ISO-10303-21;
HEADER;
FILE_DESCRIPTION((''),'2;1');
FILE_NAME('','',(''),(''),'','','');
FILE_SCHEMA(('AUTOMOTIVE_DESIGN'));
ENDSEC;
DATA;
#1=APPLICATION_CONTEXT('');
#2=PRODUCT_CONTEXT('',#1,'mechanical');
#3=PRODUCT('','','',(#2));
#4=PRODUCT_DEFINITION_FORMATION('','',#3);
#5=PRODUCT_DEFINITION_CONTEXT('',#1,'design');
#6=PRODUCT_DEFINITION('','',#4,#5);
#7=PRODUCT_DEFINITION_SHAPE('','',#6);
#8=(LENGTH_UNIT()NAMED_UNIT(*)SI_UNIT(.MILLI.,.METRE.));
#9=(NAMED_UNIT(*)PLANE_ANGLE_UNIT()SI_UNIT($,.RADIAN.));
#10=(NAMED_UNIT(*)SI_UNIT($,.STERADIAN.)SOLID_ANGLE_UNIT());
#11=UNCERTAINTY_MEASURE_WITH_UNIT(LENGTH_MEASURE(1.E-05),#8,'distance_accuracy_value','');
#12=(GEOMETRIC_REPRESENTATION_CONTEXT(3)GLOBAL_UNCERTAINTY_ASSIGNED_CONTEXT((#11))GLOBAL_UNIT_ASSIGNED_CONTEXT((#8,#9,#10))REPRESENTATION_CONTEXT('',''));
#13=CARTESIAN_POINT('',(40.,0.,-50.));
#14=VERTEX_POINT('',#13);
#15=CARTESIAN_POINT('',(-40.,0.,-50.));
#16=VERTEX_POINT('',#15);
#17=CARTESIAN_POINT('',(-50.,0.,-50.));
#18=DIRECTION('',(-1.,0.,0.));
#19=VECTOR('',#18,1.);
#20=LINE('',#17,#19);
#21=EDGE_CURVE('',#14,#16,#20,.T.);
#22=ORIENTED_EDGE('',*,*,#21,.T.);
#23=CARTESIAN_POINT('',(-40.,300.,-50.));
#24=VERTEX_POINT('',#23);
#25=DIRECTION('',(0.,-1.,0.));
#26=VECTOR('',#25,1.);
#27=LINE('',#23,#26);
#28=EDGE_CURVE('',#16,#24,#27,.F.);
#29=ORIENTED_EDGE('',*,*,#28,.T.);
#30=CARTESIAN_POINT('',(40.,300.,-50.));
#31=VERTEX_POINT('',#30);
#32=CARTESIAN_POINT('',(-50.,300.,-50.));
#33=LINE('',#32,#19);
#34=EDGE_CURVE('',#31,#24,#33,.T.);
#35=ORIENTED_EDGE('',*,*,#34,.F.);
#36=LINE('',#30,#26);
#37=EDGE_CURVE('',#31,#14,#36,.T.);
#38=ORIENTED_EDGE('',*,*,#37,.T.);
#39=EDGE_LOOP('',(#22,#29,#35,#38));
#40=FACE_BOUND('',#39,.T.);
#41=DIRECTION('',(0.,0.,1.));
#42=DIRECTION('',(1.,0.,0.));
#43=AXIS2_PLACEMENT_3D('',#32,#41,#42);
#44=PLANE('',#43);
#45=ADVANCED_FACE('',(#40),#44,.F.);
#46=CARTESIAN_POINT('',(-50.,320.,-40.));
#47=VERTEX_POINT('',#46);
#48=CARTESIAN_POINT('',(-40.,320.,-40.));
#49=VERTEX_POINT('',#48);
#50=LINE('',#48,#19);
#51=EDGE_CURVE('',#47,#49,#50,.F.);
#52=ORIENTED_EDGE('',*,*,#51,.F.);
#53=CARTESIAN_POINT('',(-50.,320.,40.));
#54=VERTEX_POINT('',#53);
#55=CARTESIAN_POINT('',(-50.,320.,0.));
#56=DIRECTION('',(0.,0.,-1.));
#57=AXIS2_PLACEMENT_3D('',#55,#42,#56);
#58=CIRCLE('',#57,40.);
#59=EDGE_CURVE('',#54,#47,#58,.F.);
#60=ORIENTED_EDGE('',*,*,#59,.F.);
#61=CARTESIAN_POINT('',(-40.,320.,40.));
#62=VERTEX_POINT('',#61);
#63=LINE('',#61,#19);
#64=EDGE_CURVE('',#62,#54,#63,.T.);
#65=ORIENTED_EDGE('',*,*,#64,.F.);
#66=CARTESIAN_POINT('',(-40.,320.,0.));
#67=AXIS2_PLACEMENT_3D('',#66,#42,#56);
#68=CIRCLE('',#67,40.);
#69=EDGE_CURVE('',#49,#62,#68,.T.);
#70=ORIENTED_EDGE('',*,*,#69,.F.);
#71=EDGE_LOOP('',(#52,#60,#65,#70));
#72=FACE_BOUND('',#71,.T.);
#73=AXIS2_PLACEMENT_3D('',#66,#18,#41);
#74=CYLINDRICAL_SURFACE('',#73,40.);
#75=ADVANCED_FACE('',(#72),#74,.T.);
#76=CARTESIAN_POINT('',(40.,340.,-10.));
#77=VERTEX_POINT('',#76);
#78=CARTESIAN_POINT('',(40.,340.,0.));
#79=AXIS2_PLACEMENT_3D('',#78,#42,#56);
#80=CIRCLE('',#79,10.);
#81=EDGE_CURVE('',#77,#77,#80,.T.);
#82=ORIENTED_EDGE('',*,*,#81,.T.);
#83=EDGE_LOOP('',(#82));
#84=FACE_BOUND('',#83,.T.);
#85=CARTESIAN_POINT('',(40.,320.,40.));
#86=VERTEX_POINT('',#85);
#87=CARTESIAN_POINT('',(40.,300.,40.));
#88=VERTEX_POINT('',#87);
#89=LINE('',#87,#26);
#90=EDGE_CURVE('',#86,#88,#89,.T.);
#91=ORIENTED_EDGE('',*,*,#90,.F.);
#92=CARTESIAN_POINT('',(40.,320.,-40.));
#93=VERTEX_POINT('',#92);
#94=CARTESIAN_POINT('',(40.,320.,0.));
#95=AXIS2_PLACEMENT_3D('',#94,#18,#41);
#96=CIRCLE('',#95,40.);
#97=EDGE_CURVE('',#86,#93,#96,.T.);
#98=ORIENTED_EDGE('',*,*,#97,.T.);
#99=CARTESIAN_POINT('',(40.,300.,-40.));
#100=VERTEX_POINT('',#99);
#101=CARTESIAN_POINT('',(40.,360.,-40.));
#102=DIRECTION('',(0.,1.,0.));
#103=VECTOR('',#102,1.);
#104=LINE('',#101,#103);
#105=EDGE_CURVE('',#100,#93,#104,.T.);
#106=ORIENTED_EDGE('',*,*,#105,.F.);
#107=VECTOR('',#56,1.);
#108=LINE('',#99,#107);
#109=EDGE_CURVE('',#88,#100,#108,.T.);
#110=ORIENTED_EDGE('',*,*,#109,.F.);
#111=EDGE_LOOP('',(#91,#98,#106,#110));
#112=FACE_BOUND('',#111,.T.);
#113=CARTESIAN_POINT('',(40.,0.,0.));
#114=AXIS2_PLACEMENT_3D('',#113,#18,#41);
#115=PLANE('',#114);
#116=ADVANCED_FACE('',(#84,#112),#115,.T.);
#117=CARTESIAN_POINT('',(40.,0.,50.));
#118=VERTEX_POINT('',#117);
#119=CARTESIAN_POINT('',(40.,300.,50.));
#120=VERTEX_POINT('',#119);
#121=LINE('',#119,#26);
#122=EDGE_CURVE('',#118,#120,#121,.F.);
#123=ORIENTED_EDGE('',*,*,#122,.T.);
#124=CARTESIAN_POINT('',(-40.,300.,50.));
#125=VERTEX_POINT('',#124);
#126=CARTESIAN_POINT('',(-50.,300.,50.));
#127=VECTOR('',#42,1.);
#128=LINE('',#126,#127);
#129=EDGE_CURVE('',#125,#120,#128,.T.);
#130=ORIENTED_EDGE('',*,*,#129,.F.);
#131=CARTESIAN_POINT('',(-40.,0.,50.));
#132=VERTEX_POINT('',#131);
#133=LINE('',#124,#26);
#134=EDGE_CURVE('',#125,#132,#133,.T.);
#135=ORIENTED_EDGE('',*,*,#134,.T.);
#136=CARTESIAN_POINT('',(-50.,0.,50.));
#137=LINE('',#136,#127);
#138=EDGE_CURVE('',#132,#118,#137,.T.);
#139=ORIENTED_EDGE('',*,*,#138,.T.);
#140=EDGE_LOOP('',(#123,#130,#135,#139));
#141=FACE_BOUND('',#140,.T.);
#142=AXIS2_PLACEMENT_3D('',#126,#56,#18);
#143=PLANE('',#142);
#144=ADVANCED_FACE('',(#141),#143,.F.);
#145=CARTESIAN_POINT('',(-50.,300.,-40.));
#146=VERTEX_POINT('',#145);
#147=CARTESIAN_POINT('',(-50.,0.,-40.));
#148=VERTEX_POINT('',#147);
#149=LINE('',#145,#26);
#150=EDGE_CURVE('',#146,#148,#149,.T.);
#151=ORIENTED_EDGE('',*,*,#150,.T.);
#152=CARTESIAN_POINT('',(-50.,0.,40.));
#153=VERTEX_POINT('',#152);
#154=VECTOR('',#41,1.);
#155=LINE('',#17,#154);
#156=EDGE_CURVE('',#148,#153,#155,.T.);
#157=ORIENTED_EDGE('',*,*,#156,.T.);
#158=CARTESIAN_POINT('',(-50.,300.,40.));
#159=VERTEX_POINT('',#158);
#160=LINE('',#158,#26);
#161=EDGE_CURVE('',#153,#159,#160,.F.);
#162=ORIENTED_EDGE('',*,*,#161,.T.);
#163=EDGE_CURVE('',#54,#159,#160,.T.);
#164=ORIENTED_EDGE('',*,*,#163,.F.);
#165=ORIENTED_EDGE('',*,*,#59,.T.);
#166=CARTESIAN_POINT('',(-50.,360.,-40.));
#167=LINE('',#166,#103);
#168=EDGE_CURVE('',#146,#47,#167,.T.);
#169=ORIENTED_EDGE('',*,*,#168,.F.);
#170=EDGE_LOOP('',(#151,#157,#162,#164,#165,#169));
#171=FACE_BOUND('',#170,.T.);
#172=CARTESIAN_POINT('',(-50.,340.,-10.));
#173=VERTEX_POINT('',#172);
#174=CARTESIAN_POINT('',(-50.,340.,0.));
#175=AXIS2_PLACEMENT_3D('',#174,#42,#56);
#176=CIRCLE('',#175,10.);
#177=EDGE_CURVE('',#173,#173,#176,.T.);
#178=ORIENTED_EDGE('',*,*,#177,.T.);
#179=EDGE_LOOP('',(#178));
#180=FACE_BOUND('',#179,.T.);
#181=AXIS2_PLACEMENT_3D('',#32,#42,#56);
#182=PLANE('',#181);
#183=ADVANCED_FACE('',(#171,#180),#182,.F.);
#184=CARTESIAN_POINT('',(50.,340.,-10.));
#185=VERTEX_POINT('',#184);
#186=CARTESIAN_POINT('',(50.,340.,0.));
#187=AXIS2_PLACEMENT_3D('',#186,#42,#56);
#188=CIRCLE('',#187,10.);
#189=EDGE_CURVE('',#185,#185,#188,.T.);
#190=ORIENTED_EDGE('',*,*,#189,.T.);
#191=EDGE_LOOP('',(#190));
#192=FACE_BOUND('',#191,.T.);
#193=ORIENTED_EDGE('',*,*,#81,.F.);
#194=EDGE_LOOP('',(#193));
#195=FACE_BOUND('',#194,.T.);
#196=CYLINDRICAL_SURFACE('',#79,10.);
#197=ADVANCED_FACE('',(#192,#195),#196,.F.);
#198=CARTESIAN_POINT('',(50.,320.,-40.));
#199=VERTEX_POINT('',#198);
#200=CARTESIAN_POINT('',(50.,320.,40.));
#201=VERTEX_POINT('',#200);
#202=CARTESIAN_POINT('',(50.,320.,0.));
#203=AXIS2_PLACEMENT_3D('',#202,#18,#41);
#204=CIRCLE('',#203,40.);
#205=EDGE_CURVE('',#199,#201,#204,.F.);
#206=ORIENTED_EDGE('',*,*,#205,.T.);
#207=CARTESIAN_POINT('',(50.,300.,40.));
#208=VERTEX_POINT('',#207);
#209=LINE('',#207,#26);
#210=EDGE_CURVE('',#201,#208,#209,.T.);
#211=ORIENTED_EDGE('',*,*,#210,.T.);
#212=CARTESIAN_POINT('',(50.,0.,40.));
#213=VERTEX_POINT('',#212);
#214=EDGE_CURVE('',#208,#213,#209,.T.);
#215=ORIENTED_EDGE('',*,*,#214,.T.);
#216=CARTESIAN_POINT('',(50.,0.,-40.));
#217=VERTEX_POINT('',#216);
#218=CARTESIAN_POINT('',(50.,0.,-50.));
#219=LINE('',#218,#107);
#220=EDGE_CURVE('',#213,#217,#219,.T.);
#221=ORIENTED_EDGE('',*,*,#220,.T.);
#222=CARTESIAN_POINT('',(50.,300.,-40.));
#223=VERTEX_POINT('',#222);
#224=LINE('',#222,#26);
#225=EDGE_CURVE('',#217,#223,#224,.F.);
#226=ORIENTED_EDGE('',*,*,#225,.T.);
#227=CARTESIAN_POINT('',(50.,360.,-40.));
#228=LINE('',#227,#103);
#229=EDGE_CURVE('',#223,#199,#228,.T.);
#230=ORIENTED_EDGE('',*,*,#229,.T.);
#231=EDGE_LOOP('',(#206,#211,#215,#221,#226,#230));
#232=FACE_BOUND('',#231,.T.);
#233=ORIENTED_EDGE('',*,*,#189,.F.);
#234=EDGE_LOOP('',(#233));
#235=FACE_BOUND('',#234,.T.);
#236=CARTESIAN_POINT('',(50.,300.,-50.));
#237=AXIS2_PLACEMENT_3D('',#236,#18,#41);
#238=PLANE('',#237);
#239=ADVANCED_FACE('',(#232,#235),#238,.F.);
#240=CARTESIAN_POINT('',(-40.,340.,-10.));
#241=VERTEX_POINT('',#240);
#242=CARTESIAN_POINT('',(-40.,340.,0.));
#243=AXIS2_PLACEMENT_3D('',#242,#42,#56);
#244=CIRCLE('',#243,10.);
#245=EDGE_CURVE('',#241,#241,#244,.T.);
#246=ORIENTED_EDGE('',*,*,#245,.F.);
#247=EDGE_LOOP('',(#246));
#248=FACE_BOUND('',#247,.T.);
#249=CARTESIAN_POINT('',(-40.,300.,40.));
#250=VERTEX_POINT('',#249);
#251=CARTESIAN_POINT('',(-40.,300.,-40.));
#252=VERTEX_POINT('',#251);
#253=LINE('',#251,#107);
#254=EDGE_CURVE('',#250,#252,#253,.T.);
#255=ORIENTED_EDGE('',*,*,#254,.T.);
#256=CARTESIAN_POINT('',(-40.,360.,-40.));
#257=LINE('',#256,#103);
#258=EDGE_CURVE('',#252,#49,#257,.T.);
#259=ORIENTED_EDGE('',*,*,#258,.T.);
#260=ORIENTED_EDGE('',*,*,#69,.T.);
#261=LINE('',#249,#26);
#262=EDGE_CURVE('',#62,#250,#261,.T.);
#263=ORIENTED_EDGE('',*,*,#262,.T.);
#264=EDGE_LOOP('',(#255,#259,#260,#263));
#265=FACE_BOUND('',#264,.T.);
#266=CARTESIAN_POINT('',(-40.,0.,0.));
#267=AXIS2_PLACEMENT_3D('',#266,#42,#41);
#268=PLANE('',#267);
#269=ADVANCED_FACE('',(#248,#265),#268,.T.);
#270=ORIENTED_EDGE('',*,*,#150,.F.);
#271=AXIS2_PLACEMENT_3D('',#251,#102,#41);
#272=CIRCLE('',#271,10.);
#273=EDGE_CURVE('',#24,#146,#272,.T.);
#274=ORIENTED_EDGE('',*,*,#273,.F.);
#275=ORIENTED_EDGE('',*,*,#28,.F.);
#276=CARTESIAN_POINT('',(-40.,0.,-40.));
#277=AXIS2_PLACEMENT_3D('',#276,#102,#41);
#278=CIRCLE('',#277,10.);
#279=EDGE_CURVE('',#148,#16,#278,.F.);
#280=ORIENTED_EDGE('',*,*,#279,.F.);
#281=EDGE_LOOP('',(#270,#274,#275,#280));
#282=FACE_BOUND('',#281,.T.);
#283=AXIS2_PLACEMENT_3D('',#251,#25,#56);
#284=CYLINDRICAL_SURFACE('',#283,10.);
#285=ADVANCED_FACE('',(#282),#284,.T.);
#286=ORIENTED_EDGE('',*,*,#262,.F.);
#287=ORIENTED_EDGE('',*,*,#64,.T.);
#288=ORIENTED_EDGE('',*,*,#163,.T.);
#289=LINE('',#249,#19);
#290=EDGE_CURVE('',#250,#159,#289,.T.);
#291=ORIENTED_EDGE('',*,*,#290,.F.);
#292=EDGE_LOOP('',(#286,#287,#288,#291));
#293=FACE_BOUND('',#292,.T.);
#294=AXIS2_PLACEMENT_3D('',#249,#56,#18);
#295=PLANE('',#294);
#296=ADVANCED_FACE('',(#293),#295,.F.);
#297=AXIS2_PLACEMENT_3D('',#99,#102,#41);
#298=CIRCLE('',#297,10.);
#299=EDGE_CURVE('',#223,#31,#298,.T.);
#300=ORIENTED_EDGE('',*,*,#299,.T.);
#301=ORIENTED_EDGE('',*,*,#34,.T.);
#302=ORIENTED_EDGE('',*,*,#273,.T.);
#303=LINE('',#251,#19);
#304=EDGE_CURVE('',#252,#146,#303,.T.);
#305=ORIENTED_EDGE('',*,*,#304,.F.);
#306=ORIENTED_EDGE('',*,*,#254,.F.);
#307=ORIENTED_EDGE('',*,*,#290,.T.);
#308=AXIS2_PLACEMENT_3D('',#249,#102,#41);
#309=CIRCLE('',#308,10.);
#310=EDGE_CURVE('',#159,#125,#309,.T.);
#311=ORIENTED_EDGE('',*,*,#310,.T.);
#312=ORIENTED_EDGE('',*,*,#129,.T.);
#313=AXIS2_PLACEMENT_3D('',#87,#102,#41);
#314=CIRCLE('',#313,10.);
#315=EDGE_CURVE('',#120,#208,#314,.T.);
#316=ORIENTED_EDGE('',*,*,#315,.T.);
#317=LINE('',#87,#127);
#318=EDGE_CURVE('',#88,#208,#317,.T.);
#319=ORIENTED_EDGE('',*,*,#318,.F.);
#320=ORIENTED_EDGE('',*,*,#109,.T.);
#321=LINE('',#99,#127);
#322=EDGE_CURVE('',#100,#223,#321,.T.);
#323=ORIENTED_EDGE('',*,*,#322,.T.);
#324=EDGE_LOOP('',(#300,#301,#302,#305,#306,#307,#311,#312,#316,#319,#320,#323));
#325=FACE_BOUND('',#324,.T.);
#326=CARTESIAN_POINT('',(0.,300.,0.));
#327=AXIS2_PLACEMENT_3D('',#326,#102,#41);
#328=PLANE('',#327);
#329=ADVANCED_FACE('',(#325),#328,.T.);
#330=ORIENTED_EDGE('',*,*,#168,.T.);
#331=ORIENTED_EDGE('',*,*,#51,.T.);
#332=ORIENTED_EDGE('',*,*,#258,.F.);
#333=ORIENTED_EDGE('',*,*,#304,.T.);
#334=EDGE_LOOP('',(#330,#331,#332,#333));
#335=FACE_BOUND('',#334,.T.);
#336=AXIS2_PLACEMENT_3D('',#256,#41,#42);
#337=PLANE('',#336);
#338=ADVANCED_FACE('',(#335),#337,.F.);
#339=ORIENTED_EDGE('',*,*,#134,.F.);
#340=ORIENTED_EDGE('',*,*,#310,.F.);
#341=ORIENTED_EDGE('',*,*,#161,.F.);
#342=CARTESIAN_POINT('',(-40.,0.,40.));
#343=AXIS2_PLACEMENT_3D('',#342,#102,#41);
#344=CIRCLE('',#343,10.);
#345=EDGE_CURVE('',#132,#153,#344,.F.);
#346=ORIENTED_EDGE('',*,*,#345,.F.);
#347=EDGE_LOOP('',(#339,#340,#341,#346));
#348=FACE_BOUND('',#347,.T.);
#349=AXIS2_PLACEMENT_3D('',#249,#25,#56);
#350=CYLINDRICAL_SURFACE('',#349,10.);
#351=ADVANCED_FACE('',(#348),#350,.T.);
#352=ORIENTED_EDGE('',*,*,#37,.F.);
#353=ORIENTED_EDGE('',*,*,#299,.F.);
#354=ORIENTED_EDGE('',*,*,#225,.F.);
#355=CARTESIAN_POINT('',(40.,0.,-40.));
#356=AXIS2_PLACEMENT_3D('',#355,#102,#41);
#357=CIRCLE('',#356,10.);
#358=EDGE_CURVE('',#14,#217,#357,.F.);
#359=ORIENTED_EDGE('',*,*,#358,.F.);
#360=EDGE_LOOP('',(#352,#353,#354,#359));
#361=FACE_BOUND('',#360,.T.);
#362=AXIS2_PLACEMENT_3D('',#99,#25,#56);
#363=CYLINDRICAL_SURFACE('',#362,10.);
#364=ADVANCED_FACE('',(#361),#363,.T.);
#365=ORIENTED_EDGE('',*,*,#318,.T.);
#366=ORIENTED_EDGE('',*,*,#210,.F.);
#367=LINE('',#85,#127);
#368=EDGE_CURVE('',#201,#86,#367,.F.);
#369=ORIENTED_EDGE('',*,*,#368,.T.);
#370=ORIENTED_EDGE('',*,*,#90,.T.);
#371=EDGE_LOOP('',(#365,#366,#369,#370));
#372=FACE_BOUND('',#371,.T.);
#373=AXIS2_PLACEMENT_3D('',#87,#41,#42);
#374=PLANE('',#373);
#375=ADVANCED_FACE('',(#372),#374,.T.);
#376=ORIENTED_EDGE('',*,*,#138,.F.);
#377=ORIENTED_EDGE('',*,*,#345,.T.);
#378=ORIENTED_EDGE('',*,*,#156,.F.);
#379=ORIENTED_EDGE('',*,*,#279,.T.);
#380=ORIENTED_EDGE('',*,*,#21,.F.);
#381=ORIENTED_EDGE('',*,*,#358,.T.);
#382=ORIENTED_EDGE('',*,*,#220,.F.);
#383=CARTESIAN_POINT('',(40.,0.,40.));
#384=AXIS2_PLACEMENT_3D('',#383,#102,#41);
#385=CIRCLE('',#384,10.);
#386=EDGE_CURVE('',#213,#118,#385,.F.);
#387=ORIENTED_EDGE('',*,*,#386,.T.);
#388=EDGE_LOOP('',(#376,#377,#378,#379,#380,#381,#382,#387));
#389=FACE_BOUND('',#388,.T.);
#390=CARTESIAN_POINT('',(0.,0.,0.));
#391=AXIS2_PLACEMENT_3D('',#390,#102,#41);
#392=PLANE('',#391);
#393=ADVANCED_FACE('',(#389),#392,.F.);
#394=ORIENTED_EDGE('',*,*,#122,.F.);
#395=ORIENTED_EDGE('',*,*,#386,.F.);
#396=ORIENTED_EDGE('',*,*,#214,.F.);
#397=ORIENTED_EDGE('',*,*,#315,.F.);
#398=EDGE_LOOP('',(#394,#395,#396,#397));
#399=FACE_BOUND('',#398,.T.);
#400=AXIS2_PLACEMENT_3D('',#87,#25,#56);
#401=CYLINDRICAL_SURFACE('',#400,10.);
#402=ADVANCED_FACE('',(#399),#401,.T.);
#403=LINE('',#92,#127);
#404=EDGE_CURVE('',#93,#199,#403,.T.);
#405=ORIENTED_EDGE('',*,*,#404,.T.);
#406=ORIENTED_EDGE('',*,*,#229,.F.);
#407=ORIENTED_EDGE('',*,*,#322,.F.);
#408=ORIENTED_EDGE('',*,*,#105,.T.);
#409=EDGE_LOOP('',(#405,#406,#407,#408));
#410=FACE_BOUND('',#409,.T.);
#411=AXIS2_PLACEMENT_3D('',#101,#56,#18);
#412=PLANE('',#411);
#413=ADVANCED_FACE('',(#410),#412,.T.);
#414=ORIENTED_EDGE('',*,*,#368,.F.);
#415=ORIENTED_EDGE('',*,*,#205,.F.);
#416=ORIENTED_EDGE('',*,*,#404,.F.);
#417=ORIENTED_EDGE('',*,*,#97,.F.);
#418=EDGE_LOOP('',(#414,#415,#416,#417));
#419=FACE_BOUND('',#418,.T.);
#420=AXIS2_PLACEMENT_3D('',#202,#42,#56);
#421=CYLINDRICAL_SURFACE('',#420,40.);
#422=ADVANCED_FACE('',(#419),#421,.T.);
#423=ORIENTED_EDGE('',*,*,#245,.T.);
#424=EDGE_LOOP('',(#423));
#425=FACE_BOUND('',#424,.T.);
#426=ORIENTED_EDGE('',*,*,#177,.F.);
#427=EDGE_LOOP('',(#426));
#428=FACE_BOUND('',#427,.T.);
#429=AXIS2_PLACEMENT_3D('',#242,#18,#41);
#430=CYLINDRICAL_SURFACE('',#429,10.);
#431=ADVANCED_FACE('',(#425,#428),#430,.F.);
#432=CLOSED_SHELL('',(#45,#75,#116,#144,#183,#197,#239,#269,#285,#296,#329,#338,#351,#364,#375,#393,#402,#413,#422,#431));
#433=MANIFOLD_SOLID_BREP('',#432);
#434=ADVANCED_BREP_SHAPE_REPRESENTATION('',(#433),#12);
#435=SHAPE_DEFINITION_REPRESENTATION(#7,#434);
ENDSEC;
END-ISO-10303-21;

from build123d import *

# Parameters (mm, degrees)
SKETCH1_W                   = 100
SKETCH1_H                   = 100
BOSS_EXTRUDE1_DEPTH         = 300
FILLET1_R                   = 10
SKETCH5_W                   = 80
SKETCH5_H                   = 60
SKETCH5_R                   = 10
BOSS_EXTRUDE2_DEPTH         = 10
FILLET2_RADIUS              = 40
FILLET2_LENGTH              = 10
FILLET2_OF_MIRROR1_2_RADIUS = 40
FILLET2_OF_MIRROR1_2_LENGTH = 10


with BuildPart() as part:
    # Sketch1 → Boss-Extrude1 (new body)
    with BuildSketch(Plane(origin=(0, 0, 0), x_dir=(1, 0, 0), z_dir=(0, 1, 0))):
        Rectangle(SKETCH1_W, SKETCH1_H)
    extrude(amount=BOSS_EXTRUDE1_DEPTH)

    # Fillet1
    fillet1_edges = [part.edges().sort_by_distance(p)[0] for p in [
        (50, 150, 50),
        (-50, 150, 50),
        (-50, 150, -50),
        (50, 150, -50),
    ]]
    fillet(fillet1_edges, radius=FILLET1_R)

    # Sketch5 → Boss-Extrude2 (add)
    with BuildSketch(Plane(origin=(50, 0, 0), x_dir=(0, 0, -1), z_dir=(1, 0, 0))):
        with Locations((0, 330)):
            Rectangle(SKETCH5_W, SKETCH5_H)
        with Locations((0, 340)):
            Circle(SKETCH5_R, mode=Mode.SUBTRACT)
    boss_extrude2 = extrude(amount=-BOSS_EXTRUDE2_DEPTH)

    # Fillet2: full round fillet: the end face becomes a half cylinder, R = half its width
    fillet2_face = Plane((45, 360, 0), x_dir=(-1, 0, 0), z_dir=(0, 1, 0))  # on the end face: x along it, z out of the body
    fillet2_slab = fillet2_face.offset(-FILLET2_RADIUS / 2) * Box(FILLET2_LENGTH, 2 * FILLET2_RADIUS, FILLET2_RADIUS, mode=Mode.PRIVATE)  # the body's end, R deep
    fillet2_round = Plane((45, 320, 0), x_dir=(0, 1, 0), z_dir=(-1, 0, 0)) * Cylinder(FILLET2_RADIUS, FILLET2_LENGTH, mode=Mode.PRIVATE)  # its axis R under the face
    add(fillet2_slab - fillet2_round, mode=Mode.SUBTRACT)

    # Mirror1: Boss-Extrude2 across plane
    add(boss_extrude2.mirror(Plane(origin=(0, 0, 0), x_dir=(0, 0, 1), z_dir=(1, 0, 0))))

    # Fillet2 of Mirror1 2: full round fillet: the end face becomes a half cylinder, R = half its width
    fillet2_of_mirror1_2_face = Plane((-45, 360, 0), x_dir=(1, 0, 0), z_dir=(0, 1, 0))  # on the end face: x along it, z out of the body
    fillet2_of_mirror1_2_slab = fillet2_of_mirror1_2_face.offset(-FILLET2_OF_MIRROR1_2_RADIUS / 2) * Box(FILLET2_OF_MIRROR1_2_LENGTH, 2 * FILLET2_OF_MIRROR1_2_RADIUS, FILLET2_OF_MIRROR1_2_RADIUS, mode=Mode.PRIVATE)  # the body's end, R deep
    fillet2_of_mirror1_2_round = Plane((-45, 320, 0), x_dir=(0, 1, 0), z_dir=(1, 0, 0)) * Cylinder(FILLET2_OF_MIRROR1_2_RADIUS, FILLET2_OF_MIRROR1_2_LENGTH, mode=Mode.PRIVATE)  # its axis R under the face
    add(fillet2_of_mirror1_2_slab - fillet2_of_mirror1_2_round, mode=Mode.SUBTRACT)


solid = part.part
